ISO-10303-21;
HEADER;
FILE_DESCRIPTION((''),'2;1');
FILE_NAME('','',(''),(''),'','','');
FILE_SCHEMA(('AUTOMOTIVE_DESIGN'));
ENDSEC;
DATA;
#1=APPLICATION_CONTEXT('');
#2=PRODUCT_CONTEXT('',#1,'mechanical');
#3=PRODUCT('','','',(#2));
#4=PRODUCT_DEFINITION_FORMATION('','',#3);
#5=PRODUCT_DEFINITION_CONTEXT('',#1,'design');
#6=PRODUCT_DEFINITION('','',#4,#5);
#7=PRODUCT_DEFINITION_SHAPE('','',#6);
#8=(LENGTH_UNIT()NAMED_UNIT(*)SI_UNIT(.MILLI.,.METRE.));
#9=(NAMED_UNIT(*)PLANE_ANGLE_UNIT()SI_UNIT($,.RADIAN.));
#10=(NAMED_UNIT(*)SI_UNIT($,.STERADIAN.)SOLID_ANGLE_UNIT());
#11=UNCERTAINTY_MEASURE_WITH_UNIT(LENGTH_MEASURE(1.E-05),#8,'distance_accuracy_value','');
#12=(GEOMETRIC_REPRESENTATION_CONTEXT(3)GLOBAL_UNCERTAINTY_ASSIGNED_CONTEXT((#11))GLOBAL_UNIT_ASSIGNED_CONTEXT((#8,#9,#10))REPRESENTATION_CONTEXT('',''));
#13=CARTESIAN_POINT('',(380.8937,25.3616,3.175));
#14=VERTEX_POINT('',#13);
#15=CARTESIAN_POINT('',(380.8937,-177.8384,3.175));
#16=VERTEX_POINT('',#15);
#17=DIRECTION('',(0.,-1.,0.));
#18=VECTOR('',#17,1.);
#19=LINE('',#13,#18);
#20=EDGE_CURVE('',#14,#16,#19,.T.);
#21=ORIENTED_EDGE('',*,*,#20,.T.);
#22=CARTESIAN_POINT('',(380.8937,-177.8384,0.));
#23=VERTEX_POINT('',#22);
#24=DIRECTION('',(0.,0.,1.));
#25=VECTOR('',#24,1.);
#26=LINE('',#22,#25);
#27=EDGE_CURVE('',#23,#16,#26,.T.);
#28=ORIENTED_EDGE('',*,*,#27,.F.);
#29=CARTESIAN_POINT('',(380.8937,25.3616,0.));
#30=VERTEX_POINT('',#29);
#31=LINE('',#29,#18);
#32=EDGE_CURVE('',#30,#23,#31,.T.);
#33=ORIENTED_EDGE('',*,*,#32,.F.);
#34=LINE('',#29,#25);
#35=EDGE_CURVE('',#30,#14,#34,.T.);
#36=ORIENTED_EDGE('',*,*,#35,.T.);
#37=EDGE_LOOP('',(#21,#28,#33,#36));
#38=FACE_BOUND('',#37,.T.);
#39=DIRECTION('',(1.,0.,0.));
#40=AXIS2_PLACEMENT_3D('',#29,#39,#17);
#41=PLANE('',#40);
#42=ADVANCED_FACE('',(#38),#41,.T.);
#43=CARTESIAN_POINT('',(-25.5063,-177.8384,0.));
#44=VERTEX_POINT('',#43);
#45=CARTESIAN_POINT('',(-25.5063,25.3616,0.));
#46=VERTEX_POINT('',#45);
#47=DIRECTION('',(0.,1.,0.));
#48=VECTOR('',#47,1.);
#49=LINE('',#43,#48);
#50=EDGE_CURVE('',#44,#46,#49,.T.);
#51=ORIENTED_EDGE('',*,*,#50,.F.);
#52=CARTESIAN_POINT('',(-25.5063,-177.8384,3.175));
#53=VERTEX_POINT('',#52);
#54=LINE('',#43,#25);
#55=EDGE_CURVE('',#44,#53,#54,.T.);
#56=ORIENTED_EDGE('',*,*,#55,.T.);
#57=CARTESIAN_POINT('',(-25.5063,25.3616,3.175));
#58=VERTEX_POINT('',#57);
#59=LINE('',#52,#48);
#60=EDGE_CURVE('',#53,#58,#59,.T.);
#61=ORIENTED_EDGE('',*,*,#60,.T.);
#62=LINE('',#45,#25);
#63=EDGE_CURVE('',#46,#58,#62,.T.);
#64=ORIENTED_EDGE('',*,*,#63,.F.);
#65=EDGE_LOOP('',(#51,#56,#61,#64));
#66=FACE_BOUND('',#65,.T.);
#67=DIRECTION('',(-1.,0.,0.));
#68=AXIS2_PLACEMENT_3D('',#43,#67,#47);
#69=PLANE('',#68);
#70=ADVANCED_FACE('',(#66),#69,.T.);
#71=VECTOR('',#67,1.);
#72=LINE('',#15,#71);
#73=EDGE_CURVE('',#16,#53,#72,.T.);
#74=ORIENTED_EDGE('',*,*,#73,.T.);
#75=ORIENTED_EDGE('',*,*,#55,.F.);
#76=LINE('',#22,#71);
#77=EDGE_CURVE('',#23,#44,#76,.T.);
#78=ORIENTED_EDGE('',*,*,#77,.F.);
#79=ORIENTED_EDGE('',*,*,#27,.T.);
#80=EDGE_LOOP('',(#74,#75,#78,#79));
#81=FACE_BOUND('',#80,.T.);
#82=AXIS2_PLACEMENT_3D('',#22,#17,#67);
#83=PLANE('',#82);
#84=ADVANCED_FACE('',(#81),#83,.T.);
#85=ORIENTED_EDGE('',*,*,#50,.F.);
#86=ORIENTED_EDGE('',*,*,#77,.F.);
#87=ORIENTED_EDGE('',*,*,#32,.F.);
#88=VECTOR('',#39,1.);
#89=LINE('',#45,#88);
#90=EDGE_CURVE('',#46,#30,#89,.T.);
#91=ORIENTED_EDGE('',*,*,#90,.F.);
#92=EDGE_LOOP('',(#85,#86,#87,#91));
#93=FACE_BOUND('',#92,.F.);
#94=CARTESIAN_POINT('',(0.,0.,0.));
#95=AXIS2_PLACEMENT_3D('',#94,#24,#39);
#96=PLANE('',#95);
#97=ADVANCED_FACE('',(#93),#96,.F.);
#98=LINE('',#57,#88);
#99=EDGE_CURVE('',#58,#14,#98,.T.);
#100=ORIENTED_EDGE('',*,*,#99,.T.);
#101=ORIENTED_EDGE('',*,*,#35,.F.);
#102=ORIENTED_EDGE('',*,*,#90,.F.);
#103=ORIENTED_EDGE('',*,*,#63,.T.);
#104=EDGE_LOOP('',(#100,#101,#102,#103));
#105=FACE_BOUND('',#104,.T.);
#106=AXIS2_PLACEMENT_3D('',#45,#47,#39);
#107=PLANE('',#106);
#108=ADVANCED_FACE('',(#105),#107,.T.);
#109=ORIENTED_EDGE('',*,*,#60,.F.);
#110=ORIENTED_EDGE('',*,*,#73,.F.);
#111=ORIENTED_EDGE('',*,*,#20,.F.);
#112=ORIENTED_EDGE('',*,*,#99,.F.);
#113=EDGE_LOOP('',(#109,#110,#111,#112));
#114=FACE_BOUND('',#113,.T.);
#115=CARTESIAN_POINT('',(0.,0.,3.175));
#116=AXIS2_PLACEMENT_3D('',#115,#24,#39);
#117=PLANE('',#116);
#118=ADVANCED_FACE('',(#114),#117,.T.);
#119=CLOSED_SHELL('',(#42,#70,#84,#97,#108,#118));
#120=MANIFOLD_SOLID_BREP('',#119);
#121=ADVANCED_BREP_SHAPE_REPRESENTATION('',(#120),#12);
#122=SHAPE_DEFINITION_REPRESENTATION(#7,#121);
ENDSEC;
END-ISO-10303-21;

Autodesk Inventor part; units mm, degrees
ref_plane "YZ Plane" through (0, 0, 0) normal (1, 0, 0) x (0, 1, 0)
ref_plane "XZ Plane" through (0, 0, 0) normal (0, 1, 0) x (-1, 0, 0)
ref_plane "XY Plane" through (0, 0, 0) normal (0, 0, 1) x (1, 0, 0)
sketch "Sketch1" plane through (0, 0, 0) normal (0, 0, 1) x (1, 0, 0)
  line L0 (-25.5063, 25.3616) -> (380.8937, 25.3616)
  line L1 (380.8937, 25.3616) -> (380.8937, -177.8384)
  line L2 (380.8937, -177.8384) -> (-25.5063, -177.8384)
  line L3 (-25.5063, -177.8384) -> (-25.5063, 25.3616)
  point P0 (0, 0)
  dimension "d0" = 406.4
  dimension "d1" = 203.2
extrude "Extrusion1" add sketch "Sketch1" along normal blind 3.175
properties part number "GE-11041-04"
